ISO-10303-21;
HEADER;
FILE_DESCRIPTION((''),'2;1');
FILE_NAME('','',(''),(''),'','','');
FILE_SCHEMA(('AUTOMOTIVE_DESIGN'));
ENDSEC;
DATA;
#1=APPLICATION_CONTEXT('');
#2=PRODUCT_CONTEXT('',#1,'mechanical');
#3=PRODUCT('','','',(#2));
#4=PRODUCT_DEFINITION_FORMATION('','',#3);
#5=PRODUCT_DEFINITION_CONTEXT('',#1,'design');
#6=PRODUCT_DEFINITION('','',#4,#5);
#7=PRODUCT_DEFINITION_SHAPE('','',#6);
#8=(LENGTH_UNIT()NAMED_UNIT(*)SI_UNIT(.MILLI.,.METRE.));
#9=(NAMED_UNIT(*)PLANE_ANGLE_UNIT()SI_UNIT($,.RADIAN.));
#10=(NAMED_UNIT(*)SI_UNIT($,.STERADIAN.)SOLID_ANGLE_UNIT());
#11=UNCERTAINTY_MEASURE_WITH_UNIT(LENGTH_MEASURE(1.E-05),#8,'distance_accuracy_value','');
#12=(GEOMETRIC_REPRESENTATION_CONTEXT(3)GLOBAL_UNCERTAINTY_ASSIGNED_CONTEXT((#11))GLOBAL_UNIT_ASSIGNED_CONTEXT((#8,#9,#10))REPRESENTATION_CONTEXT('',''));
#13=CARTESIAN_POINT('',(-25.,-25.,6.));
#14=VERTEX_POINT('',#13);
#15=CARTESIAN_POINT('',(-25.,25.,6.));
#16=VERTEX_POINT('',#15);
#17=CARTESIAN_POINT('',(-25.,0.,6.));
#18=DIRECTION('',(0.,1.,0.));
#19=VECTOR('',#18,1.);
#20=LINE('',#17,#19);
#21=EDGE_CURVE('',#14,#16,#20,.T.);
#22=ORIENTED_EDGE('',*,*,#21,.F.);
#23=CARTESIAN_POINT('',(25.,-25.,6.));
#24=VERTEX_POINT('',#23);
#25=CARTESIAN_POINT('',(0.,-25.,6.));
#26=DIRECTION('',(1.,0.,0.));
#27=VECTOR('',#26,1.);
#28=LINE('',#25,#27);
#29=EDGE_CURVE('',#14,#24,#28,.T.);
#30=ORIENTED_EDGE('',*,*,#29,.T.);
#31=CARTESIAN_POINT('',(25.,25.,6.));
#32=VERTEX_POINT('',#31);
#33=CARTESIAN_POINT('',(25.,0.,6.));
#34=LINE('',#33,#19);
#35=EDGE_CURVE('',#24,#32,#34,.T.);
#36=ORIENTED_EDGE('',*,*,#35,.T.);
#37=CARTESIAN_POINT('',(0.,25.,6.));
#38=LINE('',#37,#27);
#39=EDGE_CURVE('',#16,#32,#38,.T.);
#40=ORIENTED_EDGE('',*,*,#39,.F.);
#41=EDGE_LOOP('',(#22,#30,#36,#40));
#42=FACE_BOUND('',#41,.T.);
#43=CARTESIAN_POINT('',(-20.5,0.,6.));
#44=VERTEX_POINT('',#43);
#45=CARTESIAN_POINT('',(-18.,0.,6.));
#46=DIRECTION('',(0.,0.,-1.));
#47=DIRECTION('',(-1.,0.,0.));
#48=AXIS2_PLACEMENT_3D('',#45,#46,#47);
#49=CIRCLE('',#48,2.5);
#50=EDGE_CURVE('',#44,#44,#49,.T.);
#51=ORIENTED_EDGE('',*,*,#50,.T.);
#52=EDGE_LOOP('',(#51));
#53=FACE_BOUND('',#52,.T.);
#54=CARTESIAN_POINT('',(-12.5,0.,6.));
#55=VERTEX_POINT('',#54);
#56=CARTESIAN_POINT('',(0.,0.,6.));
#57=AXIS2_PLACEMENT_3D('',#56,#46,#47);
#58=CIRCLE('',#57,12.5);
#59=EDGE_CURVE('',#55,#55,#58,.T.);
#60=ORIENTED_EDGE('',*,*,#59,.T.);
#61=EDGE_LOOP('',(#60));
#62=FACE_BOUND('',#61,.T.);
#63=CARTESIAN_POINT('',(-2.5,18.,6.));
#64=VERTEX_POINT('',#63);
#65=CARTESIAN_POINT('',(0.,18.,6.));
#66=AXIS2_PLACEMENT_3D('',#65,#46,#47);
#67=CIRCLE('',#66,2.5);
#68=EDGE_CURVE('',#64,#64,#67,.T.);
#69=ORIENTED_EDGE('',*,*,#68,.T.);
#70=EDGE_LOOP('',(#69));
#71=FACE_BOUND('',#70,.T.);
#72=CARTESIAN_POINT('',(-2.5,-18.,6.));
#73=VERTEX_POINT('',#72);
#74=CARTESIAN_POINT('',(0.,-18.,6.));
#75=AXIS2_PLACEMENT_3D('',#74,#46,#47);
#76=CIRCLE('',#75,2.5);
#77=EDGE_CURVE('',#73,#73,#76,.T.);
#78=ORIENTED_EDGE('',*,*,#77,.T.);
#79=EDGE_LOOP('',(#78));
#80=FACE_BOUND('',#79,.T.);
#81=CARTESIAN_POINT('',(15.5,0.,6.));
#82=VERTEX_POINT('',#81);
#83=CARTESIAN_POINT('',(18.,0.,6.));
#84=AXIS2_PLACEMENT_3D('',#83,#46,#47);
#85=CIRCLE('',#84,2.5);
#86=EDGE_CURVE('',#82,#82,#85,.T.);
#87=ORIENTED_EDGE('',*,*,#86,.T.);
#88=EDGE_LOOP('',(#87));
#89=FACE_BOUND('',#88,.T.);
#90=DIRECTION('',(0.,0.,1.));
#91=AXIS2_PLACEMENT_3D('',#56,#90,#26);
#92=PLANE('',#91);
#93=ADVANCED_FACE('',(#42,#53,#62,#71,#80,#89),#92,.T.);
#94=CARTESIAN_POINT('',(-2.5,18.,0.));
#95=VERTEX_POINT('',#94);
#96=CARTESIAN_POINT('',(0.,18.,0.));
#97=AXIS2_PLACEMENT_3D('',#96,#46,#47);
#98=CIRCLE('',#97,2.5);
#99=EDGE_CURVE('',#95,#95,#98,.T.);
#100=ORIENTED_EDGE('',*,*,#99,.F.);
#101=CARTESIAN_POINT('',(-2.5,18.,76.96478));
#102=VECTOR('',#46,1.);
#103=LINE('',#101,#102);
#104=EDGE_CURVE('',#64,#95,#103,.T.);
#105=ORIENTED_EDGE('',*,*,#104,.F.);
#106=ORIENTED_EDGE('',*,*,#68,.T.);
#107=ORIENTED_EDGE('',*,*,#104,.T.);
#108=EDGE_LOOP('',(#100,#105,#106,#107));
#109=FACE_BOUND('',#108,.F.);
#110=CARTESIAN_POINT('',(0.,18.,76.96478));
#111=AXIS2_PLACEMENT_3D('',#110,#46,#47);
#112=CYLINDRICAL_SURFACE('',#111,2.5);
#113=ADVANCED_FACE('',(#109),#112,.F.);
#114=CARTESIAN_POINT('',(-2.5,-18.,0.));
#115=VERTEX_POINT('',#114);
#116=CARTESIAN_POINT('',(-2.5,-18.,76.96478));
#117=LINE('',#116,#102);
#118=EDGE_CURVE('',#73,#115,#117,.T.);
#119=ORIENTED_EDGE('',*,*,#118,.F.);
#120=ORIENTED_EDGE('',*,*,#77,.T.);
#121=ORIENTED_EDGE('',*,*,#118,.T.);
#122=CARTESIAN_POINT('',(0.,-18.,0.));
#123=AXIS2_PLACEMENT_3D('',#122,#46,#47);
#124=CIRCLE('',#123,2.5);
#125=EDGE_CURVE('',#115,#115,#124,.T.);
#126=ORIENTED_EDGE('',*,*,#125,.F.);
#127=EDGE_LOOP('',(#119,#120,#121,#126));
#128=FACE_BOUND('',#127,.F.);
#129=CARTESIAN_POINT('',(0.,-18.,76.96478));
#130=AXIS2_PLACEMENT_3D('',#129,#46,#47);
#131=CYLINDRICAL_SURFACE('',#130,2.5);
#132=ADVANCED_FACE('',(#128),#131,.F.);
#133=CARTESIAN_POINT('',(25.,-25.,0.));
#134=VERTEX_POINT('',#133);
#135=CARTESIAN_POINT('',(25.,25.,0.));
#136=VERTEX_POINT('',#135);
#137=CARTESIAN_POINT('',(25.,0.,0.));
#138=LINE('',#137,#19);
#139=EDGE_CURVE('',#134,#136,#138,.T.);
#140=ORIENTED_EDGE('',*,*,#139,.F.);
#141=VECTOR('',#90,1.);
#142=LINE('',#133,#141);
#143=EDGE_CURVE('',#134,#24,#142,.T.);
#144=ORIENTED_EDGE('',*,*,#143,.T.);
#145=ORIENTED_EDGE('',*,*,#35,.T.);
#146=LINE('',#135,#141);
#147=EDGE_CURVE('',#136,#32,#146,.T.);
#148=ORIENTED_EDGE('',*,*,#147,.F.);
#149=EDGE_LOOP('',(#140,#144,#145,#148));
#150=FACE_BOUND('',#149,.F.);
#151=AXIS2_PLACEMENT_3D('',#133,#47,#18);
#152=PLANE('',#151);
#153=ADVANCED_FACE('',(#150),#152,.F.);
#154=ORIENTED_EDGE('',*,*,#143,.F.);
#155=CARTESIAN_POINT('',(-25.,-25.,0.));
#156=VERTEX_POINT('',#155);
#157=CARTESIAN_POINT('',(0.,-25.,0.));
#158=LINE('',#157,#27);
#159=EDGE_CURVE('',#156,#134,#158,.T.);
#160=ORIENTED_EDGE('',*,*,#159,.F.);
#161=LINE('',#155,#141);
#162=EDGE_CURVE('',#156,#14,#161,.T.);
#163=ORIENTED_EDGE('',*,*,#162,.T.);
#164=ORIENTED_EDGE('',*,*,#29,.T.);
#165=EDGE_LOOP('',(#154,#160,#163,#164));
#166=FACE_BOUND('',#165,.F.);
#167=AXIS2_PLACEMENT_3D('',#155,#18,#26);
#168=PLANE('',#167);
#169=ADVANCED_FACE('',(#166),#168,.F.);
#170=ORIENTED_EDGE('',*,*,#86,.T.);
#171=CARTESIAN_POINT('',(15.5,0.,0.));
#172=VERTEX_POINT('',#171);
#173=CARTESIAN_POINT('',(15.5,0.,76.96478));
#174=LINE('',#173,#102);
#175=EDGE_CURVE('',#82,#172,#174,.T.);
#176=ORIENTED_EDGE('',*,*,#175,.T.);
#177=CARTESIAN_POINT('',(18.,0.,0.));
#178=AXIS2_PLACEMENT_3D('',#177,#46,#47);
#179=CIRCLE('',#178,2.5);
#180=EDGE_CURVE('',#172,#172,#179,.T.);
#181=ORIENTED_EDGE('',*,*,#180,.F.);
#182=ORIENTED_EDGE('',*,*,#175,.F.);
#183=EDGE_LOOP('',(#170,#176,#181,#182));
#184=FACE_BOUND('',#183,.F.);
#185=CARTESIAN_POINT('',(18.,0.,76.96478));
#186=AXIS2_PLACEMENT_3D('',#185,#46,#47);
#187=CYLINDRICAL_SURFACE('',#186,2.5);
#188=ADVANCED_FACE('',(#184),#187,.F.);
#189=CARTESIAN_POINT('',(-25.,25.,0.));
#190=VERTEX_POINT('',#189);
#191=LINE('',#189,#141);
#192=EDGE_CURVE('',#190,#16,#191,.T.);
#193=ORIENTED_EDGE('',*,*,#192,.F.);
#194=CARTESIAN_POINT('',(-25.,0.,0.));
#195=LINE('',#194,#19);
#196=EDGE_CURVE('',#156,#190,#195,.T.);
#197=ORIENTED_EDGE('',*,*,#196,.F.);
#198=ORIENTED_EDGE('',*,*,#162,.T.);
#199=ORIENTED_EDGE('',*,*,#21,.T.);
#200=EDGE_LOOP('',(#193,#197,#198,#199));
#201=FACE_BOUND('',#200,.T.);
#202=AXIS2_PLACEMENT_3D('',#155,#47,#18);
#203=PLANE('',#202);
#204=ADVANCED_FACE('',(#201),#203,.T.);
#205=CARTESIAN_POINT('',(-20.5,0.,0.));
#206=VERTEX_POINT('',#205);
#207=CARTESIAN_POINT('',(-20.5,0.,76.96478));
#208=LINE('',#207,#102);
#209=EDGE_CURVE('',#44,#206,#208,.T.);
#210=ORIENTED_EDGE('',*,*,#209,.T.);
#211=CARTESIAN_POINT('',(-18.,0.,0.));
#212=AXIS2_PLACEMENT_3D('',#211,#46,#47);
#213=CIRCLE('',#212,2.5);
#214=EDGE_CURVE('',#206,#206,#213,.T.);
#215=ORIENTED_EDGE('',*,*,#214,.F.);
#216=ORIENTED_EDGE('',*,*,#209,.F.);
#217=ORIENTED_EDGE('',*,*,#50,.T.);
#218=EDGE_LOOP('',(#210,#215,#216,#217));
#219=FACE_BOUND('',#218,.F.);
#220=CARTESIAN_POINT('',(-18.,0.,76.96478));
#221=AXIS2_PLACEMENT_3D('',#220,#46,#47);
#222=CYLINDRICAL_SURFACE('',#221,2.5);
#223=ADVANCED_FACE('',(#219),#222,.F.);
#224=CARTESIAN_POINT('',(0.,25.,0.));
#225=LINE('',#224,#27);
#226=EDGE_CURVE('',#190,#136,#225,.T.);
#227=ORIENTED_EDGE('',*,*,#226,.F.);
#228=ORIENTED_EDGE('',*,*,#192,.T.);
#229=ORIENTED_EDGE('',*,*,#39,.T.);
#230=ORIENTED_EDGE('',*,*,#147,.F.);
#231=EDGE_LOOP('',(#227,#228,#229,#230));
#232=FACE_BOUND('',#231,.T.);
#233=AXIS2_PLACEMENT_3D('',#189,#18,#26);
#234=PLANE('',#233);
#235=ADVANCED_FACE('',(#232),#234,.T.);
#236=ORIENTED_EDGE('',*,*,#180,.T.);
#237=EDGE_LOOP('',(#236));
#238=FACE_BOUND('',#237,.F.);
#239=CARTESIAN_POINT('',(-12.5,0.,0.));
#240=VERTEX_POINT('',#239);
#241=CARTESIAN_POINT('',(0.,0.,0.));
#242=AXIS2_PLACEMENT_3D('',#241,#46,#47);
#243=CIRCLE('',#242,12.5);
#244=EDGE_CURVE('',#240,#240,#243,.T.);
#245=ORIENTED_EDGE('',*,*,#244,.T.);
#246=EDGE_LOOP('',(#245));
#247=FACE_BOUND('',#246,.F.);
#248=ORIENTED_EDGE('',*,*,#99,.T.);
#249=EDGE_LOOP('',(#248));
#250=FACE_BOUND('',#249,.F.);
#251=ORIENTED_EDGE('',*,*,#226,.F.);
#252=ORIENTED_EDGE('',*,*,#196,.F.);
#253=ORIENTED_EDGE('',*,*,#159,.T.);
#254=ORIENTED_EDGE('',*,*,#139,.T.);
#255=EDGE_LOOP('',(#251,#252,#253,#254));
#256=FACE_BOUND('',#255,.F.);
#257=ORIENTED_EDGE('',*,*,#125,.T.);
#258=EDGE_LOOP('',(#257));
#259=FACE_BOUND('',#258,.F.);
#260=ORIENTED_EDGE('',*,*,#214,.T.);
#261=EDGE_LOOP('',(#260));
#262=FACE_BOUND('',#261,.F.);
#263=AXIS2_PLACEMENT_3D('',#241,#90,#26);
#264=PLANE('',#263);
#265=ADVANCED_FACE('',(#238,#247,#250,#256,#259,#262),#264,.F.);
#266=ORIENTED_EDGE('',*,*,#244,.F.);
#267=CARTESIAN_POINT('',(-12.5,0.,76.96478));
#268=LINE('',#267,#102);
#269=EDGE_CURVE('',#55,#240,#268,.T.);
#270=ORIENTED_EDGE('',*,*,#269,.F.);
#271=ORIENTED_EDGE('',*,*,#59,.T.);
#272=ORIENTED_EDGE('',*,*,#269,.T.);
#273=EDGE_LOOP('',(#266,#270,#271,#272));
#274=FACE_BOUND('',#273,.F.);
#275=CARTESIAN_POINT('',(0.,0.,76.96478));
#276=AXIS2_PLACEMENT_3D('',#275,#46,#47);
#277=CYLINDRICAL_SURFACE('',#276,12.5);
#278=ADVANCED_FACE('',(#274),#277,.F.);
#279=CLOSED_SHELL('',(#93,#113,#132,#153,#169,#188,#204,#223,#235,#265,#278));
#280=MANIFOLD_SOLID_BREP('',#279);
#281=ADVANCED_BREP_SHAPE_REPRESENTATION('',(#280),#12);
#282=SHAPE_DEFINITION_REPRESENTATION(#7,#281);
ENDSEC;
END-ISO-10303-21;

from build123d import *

# Parameters (mm, degrees)
F0_W     = 50
F0_H     = 50
F1_DEPTH = 6
F3_D     = 5
F5_D     = 25


with BuildPart() as f1:
    # F0 (on Top) → F1 (new body)
    with BuildSketch(Plane.XY):
        Rectangle(F0_W, F0_H)
    extrude(amount=F1_DEPTH)

    # F3 (through all)
    with Locations(Plane.XY.offset(6)):
        with Locations((0, 18), (18, 0), (0, -18), (-18, 0)):
            Hole(F3_D / 2)

    # F5 (through all)
    with Locations(Plane.XY.offset(6)):
        with Locations((0, 0)):
            Hole(F5_D / 2)


solid = f1.part
